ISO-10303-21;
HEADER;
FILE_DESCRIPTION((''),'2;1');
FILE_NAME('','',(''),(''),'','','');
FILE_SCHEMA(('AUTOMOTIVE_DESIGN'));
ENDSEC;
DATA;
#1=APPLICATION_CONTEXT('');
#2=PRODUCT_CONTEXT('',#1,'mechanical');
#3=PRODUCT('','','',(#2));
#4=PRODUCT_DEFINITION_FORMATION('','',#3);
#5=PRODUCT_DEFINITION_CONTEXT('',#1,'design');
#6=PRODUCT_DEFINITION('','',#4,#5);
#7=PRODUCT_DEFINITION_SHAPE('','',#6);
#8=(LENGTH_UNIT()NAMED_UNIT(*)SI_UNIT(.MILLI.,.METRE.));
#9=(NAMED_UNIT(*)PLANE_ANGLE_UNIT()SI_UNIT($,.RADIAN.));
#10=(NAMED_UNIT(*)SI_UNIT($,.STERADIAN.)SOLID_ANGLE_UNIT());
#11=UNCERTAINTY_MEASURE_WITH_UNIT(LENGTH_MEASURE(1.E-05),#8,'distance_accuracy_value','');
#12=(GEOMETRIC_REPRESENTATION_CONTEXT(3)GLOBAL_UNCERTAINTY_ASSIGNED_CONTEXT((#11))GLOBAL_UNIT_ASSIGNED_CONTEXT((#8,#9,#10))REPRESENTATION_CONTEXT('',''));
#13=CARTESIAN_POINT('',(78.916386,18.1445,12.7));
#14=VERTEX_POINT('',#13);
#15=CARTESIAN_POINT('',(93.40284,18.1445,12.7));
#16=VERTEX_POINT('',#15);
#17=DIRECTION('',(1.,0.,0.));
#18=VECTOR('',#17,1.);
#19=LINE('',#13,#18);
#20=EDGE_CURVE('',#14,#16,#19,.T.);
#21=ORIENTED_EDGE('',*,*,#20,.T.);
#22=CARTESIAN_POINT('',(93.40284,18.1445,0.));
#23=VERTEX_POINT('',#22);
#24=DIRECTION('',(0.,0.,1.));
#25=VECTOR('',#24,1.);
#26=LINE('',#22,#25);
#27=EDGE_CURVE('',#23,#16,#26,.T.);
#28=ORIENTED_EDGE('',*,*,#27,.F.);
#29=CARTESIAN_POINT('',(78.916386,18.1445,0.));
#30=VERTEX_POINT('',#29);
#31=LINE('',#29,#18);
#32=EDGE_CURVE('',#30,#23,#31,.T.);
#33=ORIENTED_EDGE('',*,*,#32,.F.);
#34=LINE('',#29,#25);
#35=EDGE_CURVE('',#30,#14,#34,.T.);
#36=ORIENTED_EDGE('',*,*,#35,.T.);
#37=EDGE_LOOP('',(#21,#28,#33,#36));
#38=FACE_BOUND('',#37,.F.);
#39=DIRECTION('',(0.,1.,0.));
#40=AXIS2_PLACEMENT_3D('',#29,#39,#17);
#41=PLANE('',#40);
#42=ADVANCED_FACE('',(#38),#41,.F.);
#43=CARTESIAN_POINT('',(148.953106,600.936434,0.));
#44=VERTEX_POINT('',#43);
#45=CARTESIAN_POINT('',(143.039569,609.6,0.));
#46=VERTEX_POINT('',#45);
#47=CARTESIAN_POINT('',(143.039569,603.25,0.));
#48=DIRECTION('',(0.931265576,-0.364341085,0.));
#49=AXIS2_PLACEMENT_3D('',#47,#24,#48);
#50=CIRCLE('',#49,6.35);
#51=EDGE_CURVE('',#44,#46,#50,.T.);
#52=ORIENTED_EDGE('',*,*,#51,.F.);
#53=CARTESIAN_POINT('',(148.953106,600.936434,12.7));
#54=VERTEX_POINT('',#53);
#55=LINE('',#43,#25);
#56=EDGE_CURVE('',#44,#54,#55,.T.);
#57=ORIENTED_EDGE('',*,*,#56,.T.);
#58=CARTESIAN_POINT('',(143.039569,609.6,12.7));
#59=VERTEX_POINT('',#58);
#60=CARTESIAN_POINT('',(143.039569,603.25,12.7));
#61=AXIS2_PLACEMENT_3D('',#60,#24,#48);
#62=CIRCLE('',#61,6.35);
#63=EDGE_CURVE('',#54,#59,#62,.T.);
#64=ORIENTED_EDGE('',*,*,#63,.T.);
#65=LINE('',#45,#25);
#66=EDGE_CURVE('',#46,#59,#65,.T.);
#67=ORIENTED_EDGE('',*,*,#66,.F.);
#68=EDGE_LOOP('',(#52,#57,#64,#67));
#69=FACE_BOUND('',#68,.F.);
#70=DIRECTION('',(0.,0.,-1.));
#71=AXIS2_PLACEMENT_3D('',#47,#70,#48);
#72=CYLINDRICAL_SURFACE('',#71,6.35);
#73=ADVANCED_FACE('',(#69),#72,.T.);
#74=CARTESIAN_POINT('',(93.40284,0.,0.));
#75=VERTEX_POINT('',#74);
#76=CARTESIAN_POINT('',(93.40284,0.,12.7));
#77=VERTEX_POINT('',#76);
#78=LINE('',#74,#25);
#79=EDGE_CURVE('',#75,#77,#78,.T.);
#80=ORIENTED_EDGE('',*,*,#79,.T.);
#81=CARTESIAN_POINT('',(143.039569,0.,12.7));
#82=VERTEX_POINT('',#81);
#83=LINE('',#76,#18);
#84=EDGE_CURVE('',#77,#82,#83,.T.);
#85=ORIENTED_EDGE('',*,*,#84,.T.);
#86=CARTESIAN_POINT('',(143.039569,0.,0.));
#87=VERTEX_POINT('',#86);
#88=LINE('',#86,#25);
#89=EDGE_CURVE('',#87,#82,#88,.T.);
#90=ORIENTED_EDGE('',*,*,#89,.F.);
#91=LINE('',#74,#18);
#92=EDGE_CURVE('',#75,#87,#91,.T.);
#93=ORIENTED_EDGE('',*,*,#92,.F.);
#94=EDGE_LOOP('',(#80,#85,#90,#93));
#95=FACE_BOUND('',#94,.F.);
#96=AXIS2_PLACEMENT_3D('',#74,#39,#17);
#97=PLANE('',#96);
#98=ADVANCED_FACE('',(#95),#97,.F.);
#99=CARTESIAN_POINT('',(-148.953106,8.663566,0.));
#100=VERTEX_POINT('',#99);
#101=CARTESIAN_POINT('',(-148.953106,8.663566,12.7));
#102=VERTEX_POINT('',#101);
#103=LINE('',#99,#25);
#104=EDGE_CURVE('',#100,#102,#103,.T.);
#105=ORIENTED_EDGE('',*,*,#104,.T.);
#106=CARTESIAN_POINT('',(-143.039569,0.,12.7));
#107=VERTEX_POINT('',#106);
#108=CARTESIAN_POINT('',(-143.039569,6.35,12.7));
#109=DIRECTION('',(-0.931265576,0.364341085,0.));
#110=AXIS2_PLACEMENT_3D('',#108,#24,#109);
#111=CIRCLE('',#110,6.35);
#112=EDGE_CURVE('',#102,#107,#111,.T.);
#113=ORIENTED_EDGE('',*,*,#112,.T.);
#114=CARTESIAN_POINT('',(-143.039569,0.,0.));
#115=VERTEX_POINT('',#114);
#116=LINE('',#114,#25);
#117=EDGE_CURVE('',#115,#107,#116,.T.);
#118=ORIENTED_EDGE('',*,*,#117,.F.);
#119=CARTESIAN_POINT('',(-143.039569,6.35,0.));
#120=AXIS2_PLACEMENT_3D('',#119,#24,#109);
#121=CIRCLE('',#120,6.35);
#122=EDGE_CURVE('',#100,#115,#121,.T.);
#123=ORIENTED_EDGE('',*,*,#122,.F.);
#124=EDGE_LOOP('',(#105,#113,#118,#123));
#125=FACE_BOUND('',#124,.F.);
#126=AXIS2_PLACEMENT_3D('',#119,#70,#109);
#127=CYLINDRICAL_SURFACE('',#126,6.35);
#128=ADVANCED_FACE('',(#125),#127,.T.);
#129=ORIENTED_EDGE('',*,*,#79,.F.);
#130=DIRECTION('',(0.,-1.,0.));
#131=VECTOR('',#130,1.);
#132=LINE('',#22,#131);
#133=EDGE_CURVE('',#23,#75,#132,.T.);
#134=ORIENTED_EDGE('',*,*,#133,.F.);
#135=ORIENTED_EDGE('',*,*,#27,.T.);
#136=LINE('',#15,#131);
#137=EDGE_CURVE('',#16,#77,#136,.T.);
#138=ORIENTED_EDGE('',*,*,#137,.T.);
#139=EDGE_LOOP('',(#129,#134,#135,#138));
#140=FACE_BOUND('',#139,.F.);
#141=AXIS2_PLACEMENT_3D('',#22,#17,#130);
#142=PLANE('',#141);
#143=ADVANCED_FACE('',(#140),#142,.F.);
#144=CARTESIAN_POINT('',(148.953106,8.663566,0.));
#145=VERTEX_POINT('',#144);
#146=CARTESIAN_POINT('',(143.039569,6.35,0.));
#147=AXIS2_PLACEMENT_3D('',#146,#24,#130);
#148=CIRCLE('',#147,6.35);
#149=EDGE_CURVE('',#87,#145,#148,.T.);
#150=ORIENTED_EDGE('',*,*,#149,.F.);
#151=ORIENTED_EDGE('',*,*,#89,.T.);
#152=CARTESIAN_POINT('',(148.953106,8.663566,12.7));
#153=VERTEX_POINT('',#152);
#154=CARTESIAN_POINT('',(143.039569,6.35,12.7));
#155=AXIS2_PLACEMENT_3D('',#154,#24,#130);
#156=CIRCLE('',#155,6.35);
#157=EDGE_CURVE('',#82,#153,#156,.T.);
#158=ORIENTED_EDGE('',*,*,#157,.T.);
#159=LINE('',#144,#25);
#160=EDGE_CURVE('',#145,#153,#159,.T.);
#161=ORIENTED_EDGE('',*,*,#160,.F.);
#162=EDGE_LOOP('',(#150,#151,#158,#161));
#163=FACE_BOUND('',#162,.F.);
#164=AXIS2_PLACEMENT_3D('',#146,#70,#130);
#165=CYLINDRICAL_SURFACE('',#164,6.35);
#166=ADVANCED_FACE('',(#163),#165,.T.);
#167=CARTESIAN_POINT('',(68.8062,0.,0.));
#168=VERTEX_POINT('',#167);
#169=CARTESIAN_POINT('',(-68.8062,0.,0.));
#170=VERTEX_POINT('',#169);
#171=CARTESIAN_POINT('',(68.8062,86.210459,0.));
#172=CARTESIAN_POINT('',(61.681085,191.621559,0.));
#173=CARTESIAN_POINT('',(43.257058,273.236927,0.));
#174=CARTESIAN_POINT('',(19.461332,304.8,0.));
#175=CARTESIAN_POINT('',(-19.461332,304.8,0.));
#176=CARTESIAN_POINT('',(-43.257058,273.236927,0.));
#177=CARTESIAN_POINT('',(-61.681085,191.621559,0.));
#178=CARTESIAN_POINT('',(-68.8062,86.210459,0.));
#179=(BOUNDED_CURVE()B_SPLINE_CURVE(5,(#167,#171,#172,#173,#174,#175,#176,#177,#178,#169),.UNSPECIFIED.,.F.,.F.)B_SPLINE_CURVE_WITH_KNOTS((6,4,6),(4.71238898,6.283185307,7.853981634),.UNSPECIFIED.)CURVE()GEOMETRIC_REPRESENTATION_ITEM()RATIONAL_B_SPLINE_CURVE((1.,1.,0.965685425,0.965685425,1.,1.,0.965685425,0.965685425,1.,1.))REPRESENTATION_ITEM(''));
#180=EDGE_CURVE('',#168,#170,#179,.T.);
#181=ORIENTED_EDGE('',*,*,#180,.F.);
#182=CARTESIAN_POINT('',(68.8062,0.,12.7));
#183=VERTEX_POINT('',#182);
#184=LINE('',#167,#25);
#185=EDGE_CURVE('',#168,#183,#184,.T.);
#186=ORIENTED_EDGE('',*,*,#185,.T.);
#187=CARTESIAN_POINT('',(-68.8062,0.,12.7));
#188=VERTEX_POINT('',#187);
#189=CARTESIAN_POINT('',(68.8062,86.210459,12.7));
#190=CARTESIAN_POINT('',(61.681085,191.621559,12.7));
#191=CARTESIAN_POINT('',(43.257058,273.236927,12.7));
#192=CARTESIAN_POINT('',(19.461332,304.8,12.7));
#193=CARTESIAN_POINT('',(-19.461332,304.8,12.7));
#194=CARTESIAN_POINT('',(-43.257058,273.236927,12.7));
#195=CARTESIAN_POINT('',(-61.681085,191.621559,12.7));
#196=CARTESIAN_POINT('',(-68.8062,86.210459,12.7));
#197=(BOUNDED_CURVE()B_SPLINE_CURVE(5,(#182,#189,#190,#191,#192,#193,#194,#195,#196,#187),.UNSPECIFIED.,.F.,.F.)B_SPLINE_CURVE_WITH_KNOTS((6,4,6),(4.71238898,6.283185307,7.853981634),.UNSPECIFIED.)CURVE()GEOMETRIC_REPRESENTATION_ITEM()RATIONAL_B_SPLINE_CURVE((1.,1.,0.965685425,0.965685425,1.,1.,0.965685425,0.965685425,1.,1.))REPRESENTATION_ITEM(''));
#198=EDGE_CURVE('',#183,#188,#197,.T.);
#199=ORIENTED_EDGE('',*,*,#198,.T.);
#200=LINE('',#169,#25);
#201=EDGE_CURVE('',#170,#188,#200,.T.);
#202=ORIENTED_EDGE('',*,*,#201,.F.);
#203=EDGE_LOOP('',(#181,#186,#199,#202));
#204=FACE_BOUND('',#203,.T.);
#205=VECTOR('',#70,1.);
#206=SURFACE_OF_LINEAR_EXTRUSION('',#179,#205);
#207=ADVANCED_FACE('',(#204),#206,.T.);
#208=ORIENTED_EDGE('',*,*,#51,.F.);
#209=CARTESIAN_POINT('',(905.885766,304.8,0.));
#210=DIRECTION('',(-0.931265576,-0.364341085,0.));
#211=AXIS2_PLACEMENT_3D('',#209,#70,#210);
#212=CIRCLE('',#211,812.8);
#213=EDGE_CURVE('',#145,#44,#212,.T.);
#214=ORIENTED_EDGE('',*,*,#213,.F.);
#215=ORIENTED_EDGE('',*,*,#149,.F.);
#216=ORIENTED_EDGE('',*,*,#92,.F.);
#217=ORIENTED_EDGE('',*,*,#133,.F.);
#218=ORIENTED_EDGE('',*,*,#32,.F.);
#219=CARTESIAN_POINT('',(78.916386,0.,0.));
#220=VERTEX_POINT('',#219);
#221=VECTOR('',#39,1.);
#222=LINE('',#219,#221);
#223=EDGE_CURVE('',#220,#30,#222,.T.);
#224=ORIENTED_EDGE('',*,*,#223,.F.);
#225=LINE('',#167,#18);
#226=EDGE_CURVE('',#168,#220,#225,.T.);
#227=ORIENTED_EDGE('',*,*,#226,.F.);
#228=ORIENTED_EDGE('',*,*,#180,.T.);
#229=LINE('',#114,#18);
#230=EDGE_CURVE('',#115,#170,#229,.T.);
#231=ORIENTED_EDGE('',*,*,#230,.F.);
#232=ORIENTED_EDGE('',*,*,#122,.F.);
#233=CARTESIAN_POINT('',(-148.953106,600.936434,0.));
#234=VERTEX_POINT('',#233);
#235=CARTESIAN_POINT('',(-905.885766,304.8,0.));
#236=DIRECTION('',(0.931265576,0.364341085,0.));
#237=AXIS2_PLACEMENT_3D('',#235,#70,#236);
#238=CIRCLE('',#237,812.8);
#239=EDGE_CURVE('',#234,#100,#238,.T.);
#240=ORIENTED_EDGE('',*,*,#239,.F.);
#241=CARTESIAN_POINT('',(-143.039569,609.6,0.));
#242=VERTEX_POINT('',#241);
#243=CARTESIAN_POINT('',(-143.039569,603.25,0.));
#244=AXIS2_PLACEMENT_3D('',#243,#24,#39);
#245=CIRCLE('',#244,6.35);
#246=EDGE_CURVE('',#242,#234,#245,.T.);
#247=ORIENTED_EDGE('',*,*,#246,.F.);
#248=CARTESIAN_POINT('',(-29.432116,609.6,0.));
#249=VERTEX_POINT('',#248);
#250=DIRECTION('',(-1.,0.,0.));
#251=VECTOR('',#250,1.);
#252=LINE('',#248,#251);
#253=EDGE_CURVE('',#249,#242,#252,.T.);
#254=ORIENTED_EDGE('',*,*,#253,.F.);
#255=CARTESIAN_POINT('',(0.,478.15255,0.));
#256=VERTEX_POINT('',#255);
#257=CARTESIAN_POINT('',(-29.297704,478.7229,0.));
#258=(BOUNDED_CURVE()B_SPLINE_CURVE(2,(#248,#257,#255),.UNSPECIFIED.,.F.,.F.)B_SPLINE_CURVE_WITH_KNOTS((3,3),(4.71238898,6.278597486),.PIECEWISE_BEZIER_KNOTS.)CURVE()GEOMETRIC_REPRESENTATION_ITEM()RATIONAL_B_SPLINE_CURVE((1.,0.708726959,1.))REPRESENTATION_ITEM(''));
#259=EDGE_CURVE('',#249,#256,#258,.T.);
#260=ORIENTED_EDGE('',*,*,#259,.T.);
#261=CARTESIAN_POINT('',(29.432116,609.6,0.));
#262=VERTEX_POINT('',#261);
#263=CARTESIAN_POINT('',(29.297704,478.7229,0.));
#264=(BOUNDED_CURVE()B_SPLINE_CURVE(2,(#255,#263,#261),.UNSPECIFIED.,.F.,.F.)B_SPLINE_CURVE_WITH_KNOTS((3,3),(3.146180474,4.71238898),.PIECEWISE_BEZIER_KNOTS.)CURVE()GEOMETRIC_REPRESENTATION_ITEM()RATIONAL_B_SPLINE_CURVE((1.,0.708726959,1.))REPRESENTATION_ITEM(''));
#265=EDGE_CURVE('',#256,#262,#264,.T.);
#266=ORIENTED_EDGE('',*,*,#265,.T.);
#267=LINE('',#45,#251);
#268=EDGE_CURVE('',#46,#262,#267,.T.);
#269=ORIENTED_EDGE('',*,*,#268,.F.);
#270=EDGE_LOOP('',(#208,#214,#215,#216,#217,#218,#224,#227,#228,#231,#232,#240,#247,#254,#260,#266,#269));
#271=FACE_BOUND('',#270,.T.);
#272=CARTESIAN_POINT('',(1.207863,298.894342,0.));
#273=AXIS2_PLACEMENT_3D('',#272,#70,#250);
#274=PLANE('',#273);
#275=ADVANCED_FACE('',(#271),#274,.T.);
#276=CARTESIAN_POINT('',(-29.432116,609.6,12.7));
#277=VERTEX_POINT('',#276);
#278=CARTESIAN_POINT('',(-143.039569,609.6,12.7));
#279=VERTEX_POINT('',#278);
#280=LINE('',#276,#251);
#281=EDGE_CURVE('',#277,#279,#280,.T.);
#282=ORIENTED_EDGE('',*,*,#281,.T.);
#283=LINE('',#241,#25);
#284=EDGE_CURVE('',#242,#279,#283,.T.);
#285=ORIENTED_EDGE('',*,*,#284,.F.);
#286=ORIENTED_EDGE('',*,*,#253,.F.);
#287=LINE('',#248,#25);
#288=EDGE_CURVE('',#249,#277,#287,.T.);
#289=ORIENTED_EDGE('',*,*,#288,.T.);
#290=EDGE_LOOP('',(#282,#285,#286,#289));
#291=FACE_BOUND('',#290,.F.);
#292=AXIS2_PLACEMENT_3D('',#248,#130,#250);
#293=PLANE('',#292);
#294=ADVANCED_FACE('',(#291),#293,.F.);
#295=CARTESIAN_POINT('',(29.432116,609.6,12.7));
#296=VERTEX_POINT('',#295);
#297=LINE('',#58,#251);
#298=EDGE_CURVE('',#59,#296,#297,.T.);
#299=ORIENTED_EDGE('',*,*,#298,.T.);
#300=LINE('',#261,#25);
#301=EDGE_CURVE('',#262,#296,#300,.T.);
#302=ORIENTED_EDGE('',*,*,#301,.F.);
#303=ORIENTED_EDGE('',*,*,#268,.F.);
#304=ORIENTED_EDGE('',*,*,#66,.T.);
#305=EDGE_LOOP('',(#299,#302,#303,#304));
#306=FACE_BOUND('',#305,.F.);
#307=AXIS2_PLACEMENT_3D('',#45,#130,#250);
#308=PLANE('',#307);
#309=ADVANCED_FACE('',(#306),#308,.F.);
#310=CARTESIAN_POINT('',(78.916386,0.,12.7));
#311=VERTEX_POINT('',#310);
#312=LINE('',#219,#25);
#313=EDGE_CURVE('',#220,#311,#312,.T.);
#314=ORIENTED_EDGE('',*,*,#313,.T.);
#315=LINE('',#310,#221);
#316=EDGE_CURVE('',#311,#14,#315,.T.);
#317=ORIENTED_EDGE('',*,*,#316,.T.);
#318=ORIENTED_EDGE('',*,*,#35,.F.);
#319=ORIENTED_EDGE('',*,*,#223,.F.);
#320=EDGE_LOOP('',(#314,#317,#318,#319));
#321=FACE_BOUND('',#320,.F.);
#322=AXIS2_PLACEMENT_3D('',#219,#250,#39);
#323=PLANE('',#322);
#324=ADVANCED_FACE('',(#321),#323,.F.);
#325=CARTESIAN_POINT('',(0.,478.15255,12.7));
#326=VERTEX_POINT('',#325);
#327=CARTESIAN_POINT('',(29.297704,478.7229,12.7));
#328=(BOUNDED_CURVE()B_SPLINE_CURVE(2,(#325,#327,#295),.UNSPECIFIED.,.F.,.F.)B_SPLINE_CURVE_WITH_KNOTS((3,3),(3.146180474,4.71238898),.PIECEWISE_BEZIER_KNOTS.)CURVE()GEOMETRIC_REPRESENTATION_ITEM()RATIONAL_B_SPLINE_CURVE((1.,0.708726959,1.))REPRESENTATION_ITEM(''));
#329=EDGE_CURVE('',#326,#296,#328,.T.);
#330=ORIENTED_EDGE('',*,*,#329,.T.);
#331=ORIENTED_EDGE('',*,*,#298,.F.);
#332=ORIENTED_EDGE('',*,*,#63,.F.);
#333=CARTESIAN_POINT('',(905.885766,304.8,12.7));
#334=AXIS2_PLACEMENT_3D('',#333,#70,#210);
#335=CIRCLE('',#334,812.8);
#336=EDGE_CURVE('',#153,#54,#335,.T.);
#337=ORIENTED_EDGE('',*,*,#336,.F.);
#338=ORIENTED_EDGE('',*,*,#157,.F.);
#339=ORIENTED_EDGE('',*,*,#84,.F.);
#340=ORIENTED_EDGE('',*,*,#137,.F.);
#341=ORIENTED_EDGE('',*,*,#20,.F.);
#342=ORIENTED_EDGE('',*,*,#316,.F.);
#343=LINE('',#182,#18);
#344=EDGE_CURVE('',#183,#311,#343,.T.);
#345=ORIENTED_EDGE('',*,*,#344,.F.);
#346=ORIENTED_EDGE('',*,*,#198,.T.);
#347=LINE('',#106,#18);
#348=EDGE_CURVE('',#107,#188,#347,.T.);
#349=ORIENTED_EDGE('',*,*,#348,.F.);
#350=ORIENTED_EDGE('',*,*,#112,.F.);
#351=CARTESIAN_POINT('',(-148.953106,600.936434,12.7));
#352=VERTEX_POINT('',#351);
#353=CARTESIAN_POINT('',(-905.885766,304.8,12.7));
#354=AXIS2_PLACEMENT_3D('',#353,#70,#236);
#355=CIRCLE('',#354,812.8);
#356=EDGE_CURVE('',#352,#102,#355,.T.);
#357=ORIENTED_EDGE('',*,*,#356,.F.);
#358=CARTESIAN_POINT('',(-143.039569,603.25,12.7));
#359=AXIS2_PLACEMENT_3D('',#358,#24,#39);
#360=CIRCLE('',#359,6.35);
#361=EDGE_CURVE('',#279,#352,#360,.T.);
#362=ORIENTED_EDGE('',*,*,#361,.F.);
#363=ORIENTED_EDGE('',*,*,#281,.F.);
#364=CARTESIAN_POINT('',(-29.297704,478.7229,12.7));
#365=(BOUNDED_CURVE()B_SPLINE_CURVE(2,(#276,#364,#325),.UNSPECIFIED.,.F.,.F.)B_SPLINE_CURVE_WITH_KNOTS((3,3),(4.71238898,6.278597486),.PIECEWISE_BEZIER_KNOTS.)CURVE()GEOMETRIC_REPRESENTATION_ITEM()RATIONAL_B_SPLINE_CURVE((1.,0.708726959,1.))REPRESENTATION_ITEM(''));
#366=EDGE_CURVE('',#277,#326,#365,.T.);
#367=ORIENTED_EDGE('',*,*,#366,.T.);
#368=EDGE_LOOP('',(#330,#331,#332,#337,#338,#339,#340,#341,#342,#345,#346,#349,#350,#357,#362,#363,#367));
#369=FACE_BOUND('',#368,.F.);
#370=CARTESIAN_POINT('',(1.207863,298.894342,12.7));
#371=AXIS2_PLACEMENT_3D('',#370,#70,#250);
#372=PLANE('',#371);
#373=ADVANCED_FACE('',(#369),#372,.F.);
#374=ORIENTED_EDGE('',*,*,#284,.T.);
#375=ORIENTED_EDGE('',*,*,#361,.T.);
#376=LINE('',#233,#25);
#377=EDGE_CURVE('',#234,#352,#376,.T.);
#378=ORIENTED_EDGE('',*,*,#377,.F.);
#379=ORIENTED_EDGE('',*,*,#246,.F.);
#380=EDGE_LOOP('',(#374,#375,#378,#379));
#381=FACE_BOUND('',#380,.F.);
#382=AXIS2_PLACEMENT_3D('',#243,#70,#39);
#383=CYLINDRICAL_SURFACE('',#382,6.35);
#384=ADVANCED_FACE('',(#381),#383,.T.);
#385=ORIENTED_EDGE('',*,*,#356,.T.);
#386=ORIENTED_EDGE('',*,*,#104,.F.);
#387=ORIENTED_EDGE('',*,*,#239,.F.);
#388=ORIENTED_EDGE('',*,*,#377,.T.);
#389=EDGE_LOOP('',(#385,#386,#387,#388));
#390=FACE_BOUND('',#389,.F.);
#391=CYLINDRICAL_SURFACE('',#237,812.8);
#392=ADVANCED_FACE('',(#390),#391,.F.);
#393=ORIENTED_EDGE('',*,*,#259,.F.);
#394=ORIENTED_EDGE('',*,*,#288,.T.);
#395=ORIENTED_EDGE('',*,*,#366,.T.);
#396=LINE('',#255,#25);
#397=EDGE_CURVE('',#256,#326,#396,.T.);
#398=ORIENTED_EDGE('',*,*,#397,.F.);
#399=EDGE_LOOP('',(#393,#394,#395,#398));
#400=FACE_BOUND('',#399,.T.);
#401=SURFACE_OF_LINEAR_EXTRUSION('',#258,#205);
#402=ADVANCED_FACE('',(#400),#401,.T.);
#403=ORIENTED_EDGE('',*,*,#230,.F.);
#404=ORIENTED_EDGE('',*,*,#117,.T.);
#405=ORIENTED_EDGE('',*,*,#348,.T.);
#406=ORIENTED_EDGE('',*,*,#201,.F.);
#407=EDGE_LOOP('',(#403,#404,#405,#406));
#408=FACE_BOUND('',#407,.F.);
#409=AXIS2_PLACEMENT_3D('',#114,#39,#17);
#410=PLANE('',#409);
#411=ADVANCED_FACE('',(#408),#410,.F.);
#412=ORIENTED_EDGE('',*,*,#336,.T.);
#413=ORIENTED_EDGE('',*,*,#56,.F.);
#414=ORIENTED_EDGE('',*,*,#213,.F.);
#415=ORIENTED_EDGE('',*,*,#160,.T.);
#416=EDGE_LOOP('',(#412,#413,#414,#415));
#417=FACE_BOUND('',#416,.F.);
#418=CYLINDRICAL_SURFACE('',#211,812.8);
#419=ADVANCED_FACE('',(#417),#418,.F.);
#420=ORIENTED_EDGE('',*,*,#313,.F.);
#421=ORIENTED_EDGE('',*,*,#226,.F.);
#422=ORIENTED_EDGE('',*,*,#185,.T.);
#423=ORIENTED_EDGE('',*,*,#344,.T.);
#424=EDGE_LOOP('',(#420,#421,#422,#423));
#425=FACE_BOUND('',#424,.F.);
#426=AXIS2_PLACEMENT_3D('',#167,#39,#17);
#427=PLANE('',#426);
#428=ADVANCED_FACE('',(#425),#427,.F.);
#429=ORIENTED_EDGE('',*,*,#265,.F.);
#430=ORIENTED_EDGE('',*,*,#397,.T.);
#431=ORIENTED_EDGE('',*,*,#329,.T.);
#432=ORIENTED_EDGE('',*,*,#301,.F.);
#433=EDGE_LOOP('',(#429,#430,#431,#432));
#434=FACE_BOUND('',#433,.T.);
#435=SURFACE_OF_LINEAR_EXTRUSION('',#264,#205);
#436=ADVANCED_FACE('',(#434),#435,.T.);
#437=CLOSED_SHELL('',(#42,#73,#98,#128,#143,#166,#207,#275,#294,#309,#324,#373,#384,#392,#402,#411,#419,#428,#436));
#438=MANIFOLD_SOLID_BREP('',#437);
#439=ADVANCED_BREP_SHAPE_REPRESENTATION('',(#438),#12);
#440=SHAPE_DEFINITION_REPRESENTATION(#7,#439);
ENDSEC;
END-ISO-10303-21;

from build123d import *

# Parameters (mm, degrees)
F1_DEPTH = 12.7


with BuildPart() as f1:
    # F0 (on Top) → F1 (new body)
    with BuildSketch(Plane.XY):
        with BuildLine():
            add(Edge.make_bspline(
                [(68.8061999409, 0), (68.8061999409, 304.8), (0, 304.8)],
                knots=[4.7123889804, 4.7123889804, 4.7123889804, 6.2831853072, 6.2831853072, 6.2831853072], degree=2, weights=[1, 0.7071067812, 1]))
            Line((68.8061999409, 0), (78.9163857698, 0))
            Line((78.9163857698, 0), (78.9163857698, 18.1444995105))
            Line((78.9163857698, 18.1444995105), (93.4028401971, 18.1444995105))
            Line((93.4028401971, 18.1444995105), (93.4028401971, 0))
            Line((93.4028401971, 0), (143.0395694707, 0))
            ThreePointArc((143.0395694707, 0), (148.2842640953, 2.7701007983), (148.9531058802, 8.6635658915))
            ThreePointArc((148.9531058802, 8.6635658915), (93.0857662889, 304.8), (148.9531058802, 600.9364341085))
            ThreePointArc((148.9531058802, 600.9364341085), (148.2842640953, 606.8298992017), (143.0395694707, 609.6))
            Line((143.0395694707, 609.6), (29.4321160355, 609.6))
            add(Edge.make_bspline(
                [(0, 478.1525495466), (29.2977038939, 478.7228997007), (29.4321160355, 609.6)],
                knots=[3.1461804743, 3.1461804743, 3.1461804743, 4.7123889804, 4.7123889804, 4.7123889804], degree=2, weights=[1, 0.7087269589, 1]))
            add(Edge.make_bspline(
                [(-29.4321160355, 609.6), (-29.2977038939, 478.7228997007), (0, 478.1525495466)],
                knots=[4.7123889804, 4.7123889804, 4.7123889804, 6.2785974865, 6.2785974865, 6.2785974865], degree=2, weights=[1, 0.7087269589, 1]))
            Line((-29.4321160355, 609.6), (-143.0395694707, 609.6))
            ThreePointArc((-143.0395694707, 609.6), (-148.2842640953, 606.8298992017), (-148.9531058802, 600.9364341085))
            ThreePointArc((-148.9531058802, 600.9364341085), (-93.0857662889, 304.8), (-148.9531058802, 8.6635658915))
            ThreePointArc((-148.9531058802, 8.6635658915), (-148.2842640953, 2.7701007983), (-143.0395694707, 0))
            Line((-143.0395694707, 0), (-68.8061999409, 0))
            add(Edge.make_bspline(
                [(0, 304.8), (-68.8061999409, 304.8), (-68.8061999409, 0)],
                knots=[0, 0, 0, 1.5707963268, 1.5707963268, 1.5707963268], degree=2, weights=[1, 0.7071067812, 1]))
        make_face()
    extrude(amount=F1_DEPTH)


solid = f1.part
